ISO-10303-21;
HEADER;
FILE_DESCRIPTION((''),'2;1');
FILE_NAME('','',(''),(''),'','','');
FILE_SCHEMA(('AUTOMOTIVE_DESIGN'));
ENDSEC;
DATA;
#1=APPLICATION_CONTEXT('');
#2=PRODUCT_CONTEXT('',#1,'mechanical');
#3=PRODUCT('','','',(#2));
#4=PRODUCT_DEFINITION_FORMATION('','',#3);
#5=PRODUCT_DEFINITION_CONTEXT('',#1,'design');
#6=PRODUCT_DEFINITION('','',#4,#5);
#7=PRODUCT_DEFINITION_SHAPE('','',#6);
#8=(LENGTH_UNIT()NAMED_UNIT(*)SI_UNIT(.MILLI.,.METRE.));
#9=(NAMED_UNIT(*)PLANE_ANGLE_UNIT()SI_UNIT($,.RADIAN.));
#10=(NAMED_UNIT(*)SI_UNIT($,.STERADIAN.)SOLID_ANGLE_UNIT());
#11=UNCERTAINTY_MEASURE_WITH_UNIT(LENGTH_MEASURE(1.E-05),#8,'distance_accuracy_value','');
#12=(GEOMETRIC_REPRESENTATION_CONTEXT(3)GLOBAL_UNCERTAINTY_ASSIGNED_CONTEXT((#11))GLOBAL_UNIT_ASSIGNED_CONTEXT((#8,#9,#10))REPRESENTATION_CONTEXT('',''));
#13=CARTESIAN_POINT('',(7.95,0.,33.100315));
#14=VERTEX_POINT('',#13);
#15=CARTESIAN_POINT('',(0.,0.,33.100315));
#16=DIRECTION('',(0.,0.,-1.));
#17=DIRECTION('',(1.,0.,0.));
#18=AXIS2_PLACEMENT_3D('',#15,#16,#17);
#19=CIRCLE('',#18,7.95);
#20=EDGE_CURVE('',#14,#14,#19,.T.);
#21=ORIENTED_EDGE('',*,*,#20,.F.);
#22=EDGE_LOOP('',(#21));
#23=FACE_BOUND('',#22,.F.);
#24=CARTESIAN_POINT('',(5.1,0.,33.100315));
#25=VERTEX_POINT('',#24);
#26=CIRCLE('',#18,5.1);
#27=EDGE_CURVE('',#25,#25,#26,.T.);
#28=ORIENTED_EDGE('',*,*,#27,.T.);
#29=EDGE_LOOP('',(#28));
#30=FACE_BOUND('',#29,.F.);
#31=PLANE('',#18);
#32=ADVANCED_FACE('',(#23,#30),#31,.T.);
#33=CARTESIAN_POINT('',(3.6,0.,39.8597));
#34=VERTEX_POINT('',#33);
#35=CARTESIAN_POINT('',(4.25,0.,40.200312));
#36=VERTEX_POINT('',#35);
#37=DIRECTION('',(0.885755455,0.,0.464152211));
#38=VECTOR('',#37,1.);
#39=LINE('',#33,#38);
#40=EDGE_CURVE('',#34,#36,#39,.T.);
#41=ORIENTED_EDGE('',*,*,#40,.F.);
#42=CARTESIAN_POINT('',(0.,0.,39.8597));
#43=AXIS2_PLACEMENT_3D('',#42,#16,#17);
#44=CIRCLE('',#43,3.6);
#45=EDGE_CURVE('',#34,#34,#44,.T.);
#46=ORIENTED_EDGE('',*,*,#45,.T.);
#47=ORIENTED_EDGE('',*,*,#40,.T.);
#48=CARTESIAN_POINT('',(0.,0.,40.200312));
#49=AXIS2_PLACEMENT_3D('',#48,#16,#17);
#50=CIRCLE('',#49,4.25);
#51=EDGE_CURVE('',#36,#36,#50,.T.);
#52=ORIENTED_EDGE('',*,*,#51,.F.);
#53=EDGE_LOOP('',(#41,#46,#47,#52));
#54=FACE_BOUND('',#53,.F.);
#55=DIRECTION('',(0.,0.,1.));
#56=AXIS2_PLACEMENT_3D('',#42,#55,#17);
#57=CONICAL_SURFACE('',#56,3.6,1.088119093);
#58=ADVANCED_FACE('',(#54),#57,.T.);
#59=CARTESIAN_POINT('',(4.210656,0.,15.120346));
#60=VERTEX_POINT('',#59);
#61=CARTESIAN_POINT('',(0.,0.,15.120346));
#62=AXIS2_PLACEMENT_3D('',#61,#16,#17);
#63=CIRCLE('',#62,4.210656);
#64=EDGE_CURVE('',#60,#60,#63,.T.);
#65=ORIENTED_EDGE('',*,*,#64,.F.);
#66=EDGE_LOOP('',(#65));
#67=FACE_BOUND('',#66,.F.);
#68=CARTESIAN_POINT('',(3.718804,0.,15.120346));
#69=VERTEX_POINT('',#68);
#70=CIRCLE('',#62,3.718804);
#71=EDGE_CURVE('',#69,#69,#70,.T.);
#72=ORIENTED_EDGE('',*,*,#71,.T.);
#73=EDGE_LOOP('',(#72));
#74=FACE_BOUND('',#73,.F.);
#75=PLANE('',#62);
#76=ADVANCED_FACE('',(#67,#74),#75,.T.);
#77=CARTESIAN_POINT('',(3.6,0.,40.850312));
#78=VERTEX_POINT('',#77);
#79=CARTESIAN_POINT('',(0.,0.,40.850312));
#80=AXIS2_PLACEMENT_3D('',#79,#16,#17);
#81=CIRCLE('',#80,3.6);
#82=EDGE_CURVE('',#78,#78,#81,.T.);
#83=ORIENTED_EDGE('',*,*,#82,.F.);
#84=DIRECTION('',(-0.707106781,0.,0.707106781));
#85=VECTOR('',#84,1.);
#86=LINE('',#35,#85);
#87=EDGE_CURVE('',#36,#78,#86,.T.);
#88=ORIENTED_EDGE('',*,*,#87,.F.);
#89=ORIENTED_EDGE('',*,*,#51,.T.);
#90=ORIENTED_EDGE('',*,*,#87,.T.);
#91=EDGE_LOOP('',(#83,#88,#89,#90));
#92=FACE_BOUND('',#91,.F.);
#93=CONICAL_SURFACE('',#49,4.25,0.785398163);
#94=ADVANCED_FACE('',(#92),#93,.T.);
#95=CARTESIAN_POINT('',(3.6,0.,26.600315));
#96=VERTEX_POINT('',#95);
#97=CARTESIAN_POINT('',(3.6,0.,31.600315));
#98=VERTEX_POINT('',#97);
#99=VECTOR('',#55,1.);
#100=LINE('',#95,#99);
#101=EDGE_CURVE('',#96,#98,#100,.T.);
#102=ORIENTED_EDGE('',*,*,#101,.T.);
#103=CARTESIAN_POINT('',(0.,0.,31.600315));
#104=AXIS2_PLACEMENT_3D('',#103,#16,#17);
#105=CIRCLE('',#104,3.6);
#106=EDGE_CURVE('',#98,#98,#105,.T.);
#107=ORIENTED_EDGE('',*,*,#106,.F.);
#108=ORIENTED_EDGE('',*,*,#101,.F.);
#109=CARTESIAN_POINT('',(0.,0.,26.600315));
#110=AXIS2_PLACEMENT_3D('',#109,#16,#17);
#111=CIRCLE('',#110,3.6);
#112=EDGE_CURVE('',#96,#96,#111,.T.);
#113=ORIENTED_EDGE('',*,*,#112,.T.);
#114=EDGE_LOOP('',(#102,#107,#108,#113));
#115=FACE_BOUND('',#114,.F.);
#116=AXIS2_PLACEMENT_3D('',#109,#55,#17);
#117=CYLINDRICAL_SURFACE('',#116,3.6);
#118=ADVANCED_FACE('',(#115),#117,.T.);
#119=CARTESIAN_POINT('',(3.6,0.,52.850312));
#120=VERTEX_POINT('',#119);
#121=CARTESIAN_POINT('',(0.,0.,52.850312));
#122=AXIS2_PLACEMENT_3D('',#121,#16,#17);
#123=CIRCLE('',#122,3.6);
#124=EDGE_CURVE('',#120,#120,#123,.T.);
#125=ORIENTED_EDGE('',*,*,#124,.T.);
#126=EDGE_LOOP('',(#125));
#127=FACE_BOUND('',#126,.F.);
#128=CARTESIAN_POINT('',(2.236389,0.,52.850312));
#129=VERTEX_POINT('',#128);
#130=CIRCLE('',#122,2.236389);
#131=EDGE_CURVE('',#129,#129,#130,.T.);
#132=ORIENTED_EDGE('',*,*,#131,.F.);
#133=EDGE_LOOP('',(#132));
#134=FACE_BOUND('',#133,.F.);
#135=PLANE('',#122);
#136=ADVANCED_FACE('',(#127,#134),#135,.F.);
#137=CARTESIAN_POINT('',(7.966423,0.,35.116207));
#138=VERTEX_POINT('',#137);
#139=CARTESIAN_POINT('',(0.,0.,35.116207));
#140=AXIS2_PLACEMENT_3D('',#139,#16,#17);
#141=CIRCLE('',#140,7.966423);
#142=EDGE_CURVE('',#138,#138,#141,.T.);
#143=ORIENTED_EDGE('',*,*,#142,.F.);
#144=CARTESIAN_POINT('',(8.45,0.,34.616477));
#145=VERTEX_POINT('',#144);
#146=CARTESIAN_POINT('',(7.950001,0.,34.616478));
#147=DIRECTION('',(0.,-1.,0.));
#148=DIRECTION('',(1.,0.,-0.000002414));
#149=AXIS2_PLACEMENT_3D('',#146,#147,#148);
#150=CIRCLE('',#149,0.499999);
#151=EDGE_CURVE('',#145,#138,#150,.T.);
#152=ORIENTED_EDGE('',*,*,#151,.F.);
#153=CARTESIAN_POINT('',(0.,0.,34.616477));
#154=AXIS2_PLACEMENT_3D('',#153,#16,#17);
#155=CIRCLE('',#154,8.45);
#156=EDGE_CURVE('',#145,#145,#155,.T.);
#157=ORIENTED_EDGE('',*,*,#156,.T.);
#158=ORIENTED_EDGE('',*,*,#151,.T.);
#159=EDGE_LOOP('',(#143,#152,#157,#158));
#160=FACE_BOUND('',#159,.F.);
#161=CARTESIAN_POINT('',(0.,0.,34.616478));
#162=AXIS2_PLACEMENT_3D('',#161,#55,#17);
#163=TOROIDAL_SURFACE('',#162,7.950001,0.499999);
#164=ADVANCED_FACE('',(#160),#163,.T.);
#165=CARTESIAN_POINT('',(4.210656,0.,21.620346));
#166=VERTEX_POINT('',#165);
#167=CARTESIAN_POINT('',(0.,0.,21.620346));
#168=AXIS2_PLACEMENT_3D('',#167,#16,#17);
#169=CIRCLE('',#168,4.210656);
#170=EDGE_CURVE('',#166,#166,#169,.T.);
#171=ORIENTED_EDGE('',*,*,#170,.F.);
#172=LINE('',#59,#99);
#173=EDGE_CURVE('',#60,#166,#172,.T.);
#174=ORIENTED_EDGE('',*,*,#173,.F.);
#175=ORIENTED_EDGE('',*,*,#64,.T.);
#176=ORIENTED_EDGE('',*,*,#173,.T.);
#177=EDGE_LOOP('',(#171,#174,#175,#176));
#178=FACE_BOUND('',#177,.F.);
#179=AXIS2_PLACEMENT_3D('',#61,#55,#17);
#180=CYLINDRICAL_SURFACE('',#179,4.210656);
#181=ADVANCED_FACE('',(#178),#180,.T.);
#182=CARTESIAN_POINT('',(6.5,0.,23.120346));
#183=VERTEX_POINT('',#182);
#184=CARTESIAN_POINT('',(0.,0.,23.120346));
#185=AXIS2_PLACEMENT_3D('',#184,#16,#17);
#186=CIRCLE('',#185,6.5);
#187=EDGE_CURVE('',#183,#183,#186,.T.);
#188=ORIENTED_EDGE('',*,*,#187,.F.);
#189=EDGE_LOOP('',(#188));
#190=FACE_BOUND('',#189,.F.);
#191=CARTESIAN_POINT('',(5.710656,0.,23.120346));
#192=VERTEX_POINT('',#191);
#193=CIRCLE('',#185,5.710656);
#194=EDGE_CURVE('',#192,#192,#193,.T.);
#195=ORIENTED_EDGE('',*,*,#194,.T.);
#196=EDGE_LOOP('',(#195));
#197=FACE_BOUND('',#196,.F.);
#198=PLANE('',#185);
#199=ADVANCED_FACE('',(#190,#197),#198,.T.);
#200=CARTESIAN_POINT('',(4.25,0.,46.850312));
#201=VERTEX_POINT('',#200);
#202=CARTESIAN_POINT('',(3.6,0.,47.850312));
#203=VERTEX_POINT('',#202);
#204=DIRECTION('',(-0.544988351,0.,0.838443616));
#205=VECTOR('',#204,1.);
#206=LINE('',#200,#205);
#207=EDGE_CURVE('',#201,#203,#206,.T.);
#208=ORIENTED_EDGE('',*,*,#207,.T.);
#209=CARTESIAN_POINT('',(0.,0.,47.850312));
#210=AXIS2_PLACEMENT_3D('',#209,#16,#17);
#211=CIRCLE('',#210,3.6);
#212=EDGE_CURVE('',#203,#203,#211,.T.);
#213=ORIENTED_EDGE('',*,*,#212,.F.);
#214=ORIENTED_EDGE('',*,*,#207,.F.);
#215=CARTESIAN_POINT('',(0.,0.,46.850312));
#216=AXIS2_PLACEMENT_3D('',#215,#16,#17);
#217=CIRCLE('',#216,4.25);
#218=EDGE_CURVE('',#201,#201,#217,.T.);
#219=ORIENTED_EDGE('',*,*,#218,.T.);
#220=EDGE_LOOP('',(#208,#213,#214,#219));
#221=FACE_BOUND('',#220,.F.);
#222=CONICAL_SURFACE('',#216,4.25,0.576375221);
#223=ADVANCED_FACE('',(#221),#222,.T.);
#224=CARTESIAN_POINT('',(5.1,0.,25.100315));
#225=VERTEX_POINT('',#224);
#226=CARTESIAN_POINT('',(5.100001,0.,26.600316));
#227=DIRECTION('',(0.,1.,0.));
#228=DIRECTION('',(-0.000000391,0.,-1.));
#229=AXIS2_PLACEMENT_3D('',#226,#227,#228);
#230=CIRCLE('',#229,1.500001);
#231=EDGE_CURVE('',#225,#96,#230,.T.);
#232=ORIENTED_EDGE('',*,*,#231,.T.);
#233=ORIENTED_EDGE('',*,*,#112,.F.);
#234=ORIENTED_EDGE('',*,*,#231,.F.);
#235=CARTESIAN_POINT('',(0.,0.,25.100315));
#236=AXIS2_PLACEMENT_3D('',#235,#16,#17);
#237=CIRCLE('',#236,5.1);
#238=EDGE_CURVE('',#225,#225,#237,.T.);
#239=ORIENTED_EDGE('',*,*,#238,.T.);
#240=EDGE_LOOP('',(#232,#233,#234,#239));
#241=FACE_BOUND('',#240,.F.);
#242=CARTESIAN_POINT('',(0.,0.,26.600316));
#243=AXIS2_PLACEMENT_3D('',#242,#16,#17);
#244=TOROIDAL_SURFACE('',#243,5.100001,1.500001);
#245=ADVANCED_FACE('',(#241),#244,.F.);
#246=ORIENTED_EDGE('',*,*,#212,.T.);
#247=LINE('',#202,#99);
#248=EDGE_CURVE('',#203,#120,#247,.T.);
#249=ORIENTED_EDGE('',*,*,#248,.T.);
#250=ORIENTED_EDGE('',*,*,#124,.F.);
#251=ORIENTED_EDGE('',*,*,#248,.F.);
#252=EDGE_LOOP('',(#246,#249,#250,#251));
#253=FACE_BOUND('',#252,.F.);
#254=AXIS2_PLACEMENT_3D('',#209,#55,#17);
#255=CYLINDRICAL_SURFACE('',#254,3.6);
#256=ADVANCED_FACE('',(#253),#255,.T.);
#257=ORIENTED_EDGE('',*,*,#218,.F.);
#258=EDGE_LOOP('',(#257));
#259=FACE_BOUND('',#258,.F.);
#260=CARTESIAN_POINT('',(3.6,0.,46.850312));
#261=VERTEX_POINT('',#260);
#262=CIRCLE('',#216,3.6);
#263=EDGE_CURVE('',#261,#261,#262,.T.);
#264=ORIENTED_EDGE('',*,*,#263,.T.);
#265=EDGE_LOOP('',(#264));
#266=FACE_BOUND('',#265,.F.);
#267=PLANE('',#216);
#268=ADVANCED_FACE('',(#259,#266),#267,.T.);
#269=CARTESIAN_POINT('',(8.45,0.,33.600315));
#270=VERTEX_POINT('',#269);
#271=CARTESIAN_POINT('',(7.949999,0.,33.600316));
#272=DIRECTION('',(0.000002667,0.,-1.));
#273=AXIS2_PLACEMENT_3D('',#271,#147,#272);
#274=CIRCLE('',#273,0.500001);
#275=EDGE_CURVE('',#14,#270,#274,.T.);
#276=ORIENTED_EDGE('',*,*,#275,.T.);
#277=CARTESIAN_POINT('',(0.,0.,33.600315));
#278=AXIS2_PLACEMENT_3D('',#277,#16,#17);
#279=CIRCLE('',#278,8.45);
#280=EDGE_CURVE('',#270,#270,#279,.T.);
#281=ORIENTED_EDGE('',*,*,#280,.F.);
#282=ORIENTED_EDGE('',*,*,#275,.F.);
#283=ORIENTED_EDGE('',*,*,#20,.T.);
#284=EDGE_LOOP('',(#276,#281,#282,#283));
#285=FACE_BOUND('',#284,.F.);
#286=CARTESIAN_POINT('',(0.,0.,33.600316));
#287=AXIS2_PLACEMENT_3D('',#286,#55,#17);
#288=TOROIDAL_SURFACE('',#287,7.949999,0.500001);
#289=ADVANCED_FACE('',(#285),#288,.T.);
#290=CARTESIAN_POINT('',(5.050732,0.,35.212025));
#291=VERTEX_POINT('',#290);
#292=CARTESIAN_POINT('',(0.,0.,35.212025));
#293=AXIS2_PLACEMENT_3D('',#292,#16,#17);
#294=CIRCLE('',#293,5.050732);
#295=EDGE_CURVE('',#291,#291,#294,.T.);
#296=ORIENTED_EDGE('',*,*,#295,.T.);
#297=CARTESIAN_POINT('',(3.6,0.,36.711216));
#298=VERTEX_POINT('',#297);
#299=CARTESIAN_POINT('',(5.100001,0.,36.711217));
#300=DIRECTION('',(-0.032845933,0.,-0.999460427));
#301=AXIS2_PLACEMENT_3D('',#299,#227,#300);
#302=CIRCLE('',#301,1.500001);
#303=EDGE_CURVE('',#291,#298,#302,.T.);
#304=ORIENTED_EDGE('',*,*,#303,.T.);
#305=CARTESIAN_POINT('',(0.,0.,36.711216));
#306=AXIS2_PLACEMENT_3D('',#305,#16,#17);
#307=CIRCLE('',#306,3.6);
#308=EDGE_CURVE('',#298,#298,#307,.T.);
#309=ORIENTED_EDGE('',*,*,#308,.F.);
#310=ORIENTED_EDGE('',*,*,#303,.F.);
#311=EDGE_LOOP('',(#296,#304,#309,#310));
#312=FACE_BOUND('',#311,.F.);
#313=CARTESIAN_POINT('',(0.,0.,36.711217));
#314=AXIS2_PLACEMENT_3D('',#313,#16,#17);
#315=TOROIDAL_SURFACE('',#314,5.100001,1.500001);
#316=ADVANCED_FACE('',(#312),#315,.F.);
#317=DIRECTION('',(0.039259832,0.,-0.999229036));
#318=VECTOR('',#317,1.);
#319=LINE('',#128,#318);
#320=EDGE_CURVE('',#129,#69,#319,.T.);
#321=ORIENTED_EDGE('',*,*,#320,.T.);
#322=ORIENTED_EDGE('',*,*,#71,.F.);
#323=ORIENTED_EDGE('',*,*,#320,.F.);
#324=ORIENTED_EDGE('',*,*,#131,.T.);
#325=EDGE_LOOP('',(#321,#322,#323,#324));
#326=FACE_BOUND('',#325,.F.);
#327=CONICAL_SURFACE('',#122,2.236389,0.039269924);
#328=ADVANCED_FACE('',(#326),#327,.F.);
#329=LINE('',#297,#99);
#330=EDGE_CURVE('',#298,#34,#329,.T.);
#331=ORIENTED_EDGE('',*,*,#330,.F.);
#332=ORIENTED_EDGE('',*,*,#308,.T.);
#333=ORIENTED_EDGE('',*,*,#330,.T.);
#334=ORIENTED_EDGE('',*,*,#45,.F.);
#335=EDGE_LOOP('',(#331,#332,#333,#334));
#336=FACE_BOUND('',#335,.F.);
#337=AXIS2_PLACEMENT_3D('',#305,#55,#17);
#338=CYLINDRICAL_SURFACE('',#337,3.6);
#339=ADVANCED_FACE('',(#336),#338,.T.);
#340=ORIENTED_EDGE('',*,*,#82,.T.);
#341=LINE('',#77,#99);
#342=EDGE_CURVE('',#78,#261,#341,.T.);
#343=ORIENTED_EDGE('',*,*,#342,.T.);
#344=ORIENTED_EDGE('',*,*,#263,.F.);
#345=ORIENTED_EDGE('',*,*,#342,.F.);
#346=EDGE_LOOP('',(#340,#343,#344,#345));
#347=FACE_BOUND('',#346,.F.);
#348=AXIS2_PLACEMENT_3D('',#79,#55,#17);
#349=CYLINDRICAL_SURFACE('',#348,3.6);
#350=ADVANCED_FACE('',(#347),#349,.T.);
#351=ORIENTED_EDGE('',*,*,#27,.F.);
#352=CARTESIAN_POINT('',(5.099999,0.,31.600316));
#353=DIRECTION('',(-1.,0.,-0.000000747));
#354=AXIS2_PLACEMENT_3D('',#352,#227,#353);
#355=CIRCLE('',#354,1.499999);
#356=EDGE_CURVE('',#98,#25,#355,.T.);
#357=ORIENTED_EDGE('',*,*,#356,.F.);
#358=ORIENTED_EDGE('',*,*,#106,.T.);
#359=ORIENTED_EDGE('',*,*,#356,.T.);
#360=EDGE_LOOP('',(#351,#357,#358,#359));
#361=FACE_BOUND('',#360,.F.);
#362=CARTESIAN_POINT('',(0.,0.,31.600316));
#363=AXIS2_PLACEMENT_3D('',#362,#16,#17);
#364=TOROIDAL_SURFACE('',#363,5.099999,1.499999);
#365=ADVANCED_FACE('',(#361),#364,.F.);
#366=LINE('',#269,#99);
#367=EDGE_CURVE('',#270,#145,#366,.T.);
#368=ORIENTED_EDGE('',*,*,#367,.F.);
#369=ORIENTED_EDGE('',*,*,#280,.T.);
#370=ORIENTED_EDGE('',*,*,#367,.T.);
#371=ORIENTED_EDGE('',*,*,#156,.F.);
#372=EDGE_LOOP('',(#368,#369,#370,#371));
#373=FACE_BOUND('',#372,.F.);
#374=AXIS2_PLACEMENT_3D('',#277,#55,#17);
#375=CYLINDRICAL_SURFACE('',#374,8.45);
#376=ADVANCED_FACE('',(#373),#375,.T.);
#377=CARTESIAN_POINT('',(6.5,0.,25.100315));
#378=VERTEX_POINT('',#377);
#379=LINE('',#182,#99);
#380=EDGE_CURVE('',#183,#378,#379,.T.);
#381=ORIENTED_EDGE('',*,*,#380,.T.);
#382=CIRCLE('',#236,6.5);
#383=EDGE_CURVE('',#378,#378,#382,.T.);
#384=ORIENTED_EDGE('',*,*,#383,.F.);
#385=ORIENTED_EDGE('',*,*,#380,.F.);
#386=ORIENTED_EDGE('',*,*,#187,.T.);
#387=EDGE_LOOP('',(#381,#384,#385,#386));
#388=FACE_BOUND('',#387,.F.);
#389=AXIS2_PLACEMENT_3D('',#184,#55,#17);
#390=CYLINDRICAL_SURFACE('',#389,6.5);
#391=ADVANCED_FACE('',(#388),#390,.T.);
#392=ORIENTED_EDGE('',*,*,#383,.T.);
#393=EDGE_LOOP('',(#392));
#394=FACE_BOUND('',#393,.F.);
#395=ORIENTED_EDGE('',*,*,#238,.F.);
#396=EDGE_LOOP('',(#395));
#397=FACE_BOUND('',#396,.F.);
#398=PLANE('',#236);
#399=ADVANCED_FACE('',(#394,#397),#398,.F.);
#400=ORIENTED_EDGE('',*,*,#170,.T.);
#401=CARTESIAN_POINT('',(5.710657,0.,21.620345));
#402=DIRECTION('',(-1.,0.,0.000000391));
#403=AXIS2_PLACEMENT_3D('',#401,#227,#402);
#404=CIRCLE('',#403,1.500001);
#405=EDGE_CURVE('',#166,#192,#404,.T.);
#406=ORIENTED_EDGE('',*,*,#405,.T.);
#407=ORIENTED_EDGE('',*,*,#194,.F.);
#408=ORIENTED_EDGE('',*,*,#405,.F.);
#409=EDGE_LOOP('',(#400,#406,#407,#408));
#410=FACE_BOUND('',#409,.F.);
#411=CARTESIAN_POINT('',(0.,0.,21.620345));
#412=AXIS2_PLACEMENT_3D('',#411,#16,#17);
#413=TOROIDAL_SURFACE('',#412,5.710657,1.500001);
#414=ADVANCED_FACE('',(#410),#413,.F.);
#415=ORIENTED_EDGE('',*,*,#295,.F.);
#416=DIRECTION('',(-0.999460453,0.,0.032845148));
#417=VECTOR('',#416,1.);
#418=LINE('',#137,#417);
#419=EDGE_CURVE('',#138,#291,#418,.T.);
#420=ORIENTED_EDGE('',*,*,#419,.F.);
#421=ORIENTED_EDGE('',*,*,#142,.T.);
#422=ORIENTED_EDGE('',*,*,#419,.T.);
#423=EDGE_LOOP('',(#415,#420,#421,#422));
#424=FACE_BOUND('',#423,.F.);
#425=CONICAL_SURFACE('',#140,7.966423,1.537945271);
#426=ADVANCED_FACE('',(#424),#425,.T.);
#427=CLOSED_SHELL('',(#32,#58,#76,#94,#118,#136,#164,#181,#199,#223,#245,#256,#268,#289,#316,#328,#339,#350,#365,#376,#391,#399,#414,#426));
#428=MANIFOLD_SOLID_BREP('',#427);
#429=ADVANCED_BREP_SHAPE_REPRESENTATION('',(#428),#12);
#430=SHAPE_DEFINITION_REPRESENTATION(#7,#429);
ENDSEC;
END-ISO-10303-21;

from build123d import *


with BuildPart() as f1:
    # F0 (on Front) → F1 (revolve)
    with BuildSketch(Plane.XZ):
        with BuildLine():
            Line((3.6, 47.850312), (3.6, 52.850312))
            Line((3.6, 52.850312), (2.236389, 52.850312))
            Line((2.236389, 52.850312), (3.718804, 15.120346))
            Line((3.718804, 15.120346), (4.210656, 15.120346))
            Line((4.210656, 15.120346), (4.210656, 21.620346))
            ThreePointArc((4.210656, 21.620346), (4.649996, 22.681006), (5.710656, 23.120346))
            Line((5.710656, 23.120346), (6.5, 23.120346))
            Line((6.5, 23.120346), (6.5, 25.100315))
            Line((6.5, 25.100315), (5.1, 25.100315))
            ThreePointArc((5.1, 25.100315), (4.03934, 25.539655), (3.6, 26.600315))
            Line((3.6, 26.600315), (3.6, 31.600315))
            ThreePointArc((3.6, 31.600315), (4.03934, 32.660976), (5.1, 33.100315))
            Line((5.1, 33.100315), (7.95, 33.100315))
            ThreePointArc((7.95, 33.100315), (8.303553, 33.246762), (8.45, 33.600315))
            Line((8.45, 33.600315), (8.45, 34.616477))
            ThreePointArc((8.45, 34.616477), (8.309313, 34.964176), (7.966423, 35.116207))
            Line((7.966423, 35.116207), (5.050732, 35.212025))
            ThreePointArc((5.050732, 35.212025), (4.022062, 35.66812), (3.6, 36.711216))
            Line((3.6, 36.711216), (3.6, 39.8597))
            Line((3.6, 39.8597), (4.25, 40.200312))
            Line((4.25, 40.200312), (3.6, 40.850312))
            Line((3.6, 40.850312), (3.6, 46.850312))
            Line((3.6, 46.850312), (4.25, 46.850312))
            Line((4.25, 46.850312), (3.6, 47.850312))
        make_face()
    revolve(axis=Axis((0, 0, 34.050312), (0, 0, -1)))


solid = f1.part
